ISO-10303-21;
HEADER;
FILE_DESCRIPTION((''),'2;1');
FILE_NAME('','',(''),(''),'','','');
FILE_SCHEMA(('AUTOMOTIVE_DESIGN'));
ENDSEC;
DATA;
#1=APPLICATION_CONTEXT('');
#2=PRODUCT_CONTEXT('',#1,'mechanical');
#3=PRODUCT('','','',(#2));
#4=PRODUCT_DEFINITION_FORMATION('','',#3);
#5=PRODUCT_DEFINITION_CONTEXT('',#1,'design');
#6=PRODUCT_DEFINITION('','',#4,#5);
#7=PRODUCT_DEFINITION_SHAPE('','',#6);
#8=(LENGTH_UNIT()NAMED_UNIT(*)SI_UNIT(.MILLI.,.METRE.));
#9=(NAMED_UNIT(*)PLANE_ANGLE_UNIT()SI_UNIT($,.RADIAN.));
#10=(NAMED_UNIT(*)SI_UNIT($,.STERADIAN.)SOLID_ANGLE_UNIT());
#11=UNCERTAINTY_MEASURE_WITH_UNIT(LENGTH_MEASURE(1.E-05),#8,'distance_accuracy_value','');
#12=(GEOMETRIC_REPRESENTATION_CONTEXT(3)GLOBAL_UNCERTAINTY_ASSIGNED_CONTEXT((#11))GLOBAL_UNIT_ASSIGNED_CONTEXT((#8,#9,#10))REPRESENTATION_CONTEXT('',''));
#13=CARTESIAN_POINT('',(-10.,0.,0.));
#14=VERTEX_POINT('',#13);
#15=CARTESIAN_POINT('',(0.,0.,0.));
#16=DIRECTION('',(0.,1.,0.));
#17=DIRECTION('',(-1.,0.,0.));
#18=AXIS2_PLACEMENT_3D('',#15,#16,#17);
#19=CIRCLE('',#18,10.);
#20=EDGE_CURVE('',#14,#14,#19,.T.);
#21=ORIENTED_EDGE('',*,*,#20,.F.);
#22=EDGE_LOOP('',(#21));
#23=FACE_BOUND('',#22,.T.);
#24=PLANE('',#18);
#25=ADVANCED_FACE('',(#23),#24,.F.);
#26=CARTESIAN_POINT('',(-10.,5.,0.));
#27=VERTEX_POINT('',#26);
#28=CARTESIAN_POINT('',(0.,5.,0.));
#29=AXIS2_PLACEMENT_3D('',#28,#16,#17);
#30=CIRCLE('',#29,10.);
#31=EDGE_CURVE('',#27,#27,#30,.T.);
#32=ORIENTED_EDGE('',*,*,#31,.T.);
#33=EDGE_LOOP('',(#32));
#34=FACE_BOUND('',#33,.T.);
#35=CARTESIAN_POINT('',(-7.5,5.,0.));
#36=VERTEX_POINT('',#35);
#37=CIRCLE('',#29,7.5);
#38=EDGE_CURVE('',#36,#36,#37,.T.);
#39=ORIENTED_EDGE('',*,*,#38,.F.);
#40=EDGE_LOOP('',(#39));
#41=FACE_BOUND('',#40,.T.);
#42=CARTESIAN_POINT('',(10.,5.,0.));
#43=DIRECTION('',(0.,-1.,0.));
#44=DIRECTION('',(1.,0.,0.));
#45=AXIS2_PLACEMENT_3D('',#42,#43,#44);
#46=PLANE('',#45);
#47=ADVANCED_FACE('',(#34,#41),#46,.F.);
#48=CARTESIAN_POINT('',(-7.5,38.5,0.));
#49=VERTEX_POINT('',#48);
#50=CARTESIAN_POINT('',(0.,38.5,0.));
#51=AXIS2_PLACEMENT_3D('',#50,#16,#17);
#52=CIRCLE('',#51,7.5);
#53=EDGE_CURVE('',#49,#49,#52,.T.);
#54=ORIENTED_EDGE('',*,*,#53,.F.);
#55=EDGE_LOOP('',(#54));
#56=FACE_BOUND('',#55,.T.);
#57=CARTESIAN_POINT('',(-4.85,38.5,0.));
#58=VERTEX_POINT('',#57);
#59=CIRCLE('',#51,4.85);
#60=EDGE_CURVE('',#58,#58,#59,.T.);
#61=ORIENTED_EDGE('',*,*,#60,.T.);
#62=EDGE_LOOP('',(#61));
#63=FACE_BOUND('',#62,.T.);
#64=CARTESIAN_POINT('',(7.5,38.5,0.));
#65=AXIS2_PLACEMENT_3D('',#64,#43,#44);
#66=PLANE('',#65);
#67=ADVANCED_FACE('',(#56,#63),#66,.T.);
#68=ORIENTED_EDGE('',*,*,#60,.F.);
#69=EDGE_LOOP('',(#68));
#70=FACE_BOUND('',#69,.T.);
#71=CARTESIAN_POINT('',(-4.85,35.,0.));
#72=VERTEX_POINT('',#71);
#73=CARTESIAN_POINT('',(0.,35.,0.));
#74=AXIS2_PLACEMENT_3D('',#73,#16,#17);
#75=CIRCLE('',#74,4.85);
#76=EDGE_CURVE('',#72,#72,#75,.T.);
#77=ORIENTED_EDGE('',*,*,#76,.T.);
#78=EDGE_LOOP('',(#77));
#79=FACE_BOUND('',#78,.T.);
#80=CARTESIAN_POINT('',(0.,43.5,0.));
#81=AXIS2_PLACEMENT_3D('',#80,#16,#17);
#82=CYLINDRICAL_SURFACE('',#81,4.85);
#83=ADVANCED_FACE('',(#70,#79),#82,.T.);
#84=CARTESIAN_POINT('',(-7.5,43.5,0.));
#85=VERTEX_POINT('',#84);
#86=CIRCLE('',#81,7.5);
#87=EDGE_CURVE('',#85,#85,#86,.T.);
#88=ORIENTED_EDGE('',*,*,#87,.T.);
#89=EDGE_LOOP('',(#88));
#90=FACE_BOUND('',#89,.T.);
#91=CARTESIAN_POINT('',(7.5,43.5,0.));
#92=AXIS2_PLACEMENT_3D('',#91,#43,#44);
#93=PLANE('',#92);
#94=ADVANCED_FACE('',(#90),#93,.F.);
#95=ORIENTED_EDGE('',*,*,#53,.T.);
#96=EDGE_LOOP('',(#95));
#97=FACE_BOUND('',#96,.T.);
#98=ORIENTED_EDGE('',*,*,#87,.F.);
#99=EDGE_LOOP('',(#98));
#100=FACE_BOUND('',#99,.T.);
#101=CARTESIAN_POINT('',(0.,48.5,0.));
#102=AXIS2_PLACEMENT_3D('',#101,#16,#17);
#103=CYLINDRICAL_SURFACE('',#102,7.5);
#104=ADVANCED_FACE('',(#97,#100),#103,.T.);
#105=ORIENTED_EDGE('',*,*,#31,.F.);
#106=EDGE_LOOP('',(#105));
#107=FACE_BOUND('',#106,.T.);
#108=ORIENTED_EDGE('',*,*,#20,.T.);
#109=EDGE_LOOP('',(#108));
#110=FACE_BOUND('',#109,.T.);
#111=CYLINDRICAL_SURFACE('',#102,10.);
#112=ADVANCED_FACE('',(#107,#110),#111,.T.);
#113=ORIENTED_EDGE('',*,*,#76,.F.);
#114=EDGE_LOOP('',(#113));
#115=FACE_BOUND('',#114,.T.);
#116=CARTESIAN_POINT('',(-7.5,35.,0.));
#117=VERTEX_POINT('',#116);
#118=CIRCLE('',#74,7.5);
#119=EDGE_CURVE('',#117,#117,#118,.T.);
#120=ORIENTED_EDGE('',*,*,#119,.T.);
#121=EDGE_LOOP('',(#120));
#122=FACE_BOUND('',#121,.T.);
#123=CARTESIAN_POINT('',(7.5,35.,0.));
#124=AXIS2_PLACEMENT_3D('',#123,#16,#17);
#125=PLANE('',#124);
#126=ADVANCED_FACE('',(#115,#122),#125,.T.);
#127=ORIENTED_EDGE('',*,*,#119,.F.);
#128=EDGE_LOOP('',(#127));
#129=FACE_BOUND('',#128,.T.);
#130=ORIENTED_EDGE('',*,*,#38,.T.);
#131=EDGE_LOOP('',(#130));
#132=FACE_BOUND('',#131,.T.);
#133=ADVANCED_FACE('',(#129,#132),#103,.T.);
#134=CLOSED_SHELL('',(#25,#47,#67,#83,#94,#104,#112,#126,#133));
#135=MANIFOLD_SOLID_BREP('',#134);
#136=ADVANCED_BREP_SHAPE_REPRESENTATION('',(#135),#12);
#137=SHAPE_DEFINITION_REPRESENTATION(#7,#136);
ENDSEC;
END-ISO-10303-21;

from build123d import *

# Parameters (mm, degrees)
SKETCH2_W = 2.65
SKETCH2_H = 3.5


with BuildPart() as part:
    # Sketch1 → Revolve1 (revolve)
    with BuildSketch(Plane.XY, mode=Mode.PRIVATE) as revolve1_sk:
        Polygon((0, 0), (10, 0), (10, 5), (7.5, 5), (7.5, 43.5), (0, 43.5), align=None)
    revolve(revolve1_sk.sketch.rotate(Axis((0, 48.5, 0), (0, -1, 0)), 180), axis=Axis((0, 48.5, 0), (0, -1, 0)))

    # Sketch2 → Cut-Revolve1 (revolve, cut)
    with BuildSketch(Plane.XY, mode=Mode.PRIVATE) as cut_revolve1_sk:
        with Locations((6.175, 36.75)):
            Rectangle(SKETCH2_W, SKETCH2_H)
    revolve(cut_revolve1_sk.sketch.rotate(Axis((0, 43.5, 0), (0, -1, 0)), 180), axis=Axis((0, 43.5, 0), (0, -1, 0)), mode=Mode.SUBTRACT)


solid = part.part
